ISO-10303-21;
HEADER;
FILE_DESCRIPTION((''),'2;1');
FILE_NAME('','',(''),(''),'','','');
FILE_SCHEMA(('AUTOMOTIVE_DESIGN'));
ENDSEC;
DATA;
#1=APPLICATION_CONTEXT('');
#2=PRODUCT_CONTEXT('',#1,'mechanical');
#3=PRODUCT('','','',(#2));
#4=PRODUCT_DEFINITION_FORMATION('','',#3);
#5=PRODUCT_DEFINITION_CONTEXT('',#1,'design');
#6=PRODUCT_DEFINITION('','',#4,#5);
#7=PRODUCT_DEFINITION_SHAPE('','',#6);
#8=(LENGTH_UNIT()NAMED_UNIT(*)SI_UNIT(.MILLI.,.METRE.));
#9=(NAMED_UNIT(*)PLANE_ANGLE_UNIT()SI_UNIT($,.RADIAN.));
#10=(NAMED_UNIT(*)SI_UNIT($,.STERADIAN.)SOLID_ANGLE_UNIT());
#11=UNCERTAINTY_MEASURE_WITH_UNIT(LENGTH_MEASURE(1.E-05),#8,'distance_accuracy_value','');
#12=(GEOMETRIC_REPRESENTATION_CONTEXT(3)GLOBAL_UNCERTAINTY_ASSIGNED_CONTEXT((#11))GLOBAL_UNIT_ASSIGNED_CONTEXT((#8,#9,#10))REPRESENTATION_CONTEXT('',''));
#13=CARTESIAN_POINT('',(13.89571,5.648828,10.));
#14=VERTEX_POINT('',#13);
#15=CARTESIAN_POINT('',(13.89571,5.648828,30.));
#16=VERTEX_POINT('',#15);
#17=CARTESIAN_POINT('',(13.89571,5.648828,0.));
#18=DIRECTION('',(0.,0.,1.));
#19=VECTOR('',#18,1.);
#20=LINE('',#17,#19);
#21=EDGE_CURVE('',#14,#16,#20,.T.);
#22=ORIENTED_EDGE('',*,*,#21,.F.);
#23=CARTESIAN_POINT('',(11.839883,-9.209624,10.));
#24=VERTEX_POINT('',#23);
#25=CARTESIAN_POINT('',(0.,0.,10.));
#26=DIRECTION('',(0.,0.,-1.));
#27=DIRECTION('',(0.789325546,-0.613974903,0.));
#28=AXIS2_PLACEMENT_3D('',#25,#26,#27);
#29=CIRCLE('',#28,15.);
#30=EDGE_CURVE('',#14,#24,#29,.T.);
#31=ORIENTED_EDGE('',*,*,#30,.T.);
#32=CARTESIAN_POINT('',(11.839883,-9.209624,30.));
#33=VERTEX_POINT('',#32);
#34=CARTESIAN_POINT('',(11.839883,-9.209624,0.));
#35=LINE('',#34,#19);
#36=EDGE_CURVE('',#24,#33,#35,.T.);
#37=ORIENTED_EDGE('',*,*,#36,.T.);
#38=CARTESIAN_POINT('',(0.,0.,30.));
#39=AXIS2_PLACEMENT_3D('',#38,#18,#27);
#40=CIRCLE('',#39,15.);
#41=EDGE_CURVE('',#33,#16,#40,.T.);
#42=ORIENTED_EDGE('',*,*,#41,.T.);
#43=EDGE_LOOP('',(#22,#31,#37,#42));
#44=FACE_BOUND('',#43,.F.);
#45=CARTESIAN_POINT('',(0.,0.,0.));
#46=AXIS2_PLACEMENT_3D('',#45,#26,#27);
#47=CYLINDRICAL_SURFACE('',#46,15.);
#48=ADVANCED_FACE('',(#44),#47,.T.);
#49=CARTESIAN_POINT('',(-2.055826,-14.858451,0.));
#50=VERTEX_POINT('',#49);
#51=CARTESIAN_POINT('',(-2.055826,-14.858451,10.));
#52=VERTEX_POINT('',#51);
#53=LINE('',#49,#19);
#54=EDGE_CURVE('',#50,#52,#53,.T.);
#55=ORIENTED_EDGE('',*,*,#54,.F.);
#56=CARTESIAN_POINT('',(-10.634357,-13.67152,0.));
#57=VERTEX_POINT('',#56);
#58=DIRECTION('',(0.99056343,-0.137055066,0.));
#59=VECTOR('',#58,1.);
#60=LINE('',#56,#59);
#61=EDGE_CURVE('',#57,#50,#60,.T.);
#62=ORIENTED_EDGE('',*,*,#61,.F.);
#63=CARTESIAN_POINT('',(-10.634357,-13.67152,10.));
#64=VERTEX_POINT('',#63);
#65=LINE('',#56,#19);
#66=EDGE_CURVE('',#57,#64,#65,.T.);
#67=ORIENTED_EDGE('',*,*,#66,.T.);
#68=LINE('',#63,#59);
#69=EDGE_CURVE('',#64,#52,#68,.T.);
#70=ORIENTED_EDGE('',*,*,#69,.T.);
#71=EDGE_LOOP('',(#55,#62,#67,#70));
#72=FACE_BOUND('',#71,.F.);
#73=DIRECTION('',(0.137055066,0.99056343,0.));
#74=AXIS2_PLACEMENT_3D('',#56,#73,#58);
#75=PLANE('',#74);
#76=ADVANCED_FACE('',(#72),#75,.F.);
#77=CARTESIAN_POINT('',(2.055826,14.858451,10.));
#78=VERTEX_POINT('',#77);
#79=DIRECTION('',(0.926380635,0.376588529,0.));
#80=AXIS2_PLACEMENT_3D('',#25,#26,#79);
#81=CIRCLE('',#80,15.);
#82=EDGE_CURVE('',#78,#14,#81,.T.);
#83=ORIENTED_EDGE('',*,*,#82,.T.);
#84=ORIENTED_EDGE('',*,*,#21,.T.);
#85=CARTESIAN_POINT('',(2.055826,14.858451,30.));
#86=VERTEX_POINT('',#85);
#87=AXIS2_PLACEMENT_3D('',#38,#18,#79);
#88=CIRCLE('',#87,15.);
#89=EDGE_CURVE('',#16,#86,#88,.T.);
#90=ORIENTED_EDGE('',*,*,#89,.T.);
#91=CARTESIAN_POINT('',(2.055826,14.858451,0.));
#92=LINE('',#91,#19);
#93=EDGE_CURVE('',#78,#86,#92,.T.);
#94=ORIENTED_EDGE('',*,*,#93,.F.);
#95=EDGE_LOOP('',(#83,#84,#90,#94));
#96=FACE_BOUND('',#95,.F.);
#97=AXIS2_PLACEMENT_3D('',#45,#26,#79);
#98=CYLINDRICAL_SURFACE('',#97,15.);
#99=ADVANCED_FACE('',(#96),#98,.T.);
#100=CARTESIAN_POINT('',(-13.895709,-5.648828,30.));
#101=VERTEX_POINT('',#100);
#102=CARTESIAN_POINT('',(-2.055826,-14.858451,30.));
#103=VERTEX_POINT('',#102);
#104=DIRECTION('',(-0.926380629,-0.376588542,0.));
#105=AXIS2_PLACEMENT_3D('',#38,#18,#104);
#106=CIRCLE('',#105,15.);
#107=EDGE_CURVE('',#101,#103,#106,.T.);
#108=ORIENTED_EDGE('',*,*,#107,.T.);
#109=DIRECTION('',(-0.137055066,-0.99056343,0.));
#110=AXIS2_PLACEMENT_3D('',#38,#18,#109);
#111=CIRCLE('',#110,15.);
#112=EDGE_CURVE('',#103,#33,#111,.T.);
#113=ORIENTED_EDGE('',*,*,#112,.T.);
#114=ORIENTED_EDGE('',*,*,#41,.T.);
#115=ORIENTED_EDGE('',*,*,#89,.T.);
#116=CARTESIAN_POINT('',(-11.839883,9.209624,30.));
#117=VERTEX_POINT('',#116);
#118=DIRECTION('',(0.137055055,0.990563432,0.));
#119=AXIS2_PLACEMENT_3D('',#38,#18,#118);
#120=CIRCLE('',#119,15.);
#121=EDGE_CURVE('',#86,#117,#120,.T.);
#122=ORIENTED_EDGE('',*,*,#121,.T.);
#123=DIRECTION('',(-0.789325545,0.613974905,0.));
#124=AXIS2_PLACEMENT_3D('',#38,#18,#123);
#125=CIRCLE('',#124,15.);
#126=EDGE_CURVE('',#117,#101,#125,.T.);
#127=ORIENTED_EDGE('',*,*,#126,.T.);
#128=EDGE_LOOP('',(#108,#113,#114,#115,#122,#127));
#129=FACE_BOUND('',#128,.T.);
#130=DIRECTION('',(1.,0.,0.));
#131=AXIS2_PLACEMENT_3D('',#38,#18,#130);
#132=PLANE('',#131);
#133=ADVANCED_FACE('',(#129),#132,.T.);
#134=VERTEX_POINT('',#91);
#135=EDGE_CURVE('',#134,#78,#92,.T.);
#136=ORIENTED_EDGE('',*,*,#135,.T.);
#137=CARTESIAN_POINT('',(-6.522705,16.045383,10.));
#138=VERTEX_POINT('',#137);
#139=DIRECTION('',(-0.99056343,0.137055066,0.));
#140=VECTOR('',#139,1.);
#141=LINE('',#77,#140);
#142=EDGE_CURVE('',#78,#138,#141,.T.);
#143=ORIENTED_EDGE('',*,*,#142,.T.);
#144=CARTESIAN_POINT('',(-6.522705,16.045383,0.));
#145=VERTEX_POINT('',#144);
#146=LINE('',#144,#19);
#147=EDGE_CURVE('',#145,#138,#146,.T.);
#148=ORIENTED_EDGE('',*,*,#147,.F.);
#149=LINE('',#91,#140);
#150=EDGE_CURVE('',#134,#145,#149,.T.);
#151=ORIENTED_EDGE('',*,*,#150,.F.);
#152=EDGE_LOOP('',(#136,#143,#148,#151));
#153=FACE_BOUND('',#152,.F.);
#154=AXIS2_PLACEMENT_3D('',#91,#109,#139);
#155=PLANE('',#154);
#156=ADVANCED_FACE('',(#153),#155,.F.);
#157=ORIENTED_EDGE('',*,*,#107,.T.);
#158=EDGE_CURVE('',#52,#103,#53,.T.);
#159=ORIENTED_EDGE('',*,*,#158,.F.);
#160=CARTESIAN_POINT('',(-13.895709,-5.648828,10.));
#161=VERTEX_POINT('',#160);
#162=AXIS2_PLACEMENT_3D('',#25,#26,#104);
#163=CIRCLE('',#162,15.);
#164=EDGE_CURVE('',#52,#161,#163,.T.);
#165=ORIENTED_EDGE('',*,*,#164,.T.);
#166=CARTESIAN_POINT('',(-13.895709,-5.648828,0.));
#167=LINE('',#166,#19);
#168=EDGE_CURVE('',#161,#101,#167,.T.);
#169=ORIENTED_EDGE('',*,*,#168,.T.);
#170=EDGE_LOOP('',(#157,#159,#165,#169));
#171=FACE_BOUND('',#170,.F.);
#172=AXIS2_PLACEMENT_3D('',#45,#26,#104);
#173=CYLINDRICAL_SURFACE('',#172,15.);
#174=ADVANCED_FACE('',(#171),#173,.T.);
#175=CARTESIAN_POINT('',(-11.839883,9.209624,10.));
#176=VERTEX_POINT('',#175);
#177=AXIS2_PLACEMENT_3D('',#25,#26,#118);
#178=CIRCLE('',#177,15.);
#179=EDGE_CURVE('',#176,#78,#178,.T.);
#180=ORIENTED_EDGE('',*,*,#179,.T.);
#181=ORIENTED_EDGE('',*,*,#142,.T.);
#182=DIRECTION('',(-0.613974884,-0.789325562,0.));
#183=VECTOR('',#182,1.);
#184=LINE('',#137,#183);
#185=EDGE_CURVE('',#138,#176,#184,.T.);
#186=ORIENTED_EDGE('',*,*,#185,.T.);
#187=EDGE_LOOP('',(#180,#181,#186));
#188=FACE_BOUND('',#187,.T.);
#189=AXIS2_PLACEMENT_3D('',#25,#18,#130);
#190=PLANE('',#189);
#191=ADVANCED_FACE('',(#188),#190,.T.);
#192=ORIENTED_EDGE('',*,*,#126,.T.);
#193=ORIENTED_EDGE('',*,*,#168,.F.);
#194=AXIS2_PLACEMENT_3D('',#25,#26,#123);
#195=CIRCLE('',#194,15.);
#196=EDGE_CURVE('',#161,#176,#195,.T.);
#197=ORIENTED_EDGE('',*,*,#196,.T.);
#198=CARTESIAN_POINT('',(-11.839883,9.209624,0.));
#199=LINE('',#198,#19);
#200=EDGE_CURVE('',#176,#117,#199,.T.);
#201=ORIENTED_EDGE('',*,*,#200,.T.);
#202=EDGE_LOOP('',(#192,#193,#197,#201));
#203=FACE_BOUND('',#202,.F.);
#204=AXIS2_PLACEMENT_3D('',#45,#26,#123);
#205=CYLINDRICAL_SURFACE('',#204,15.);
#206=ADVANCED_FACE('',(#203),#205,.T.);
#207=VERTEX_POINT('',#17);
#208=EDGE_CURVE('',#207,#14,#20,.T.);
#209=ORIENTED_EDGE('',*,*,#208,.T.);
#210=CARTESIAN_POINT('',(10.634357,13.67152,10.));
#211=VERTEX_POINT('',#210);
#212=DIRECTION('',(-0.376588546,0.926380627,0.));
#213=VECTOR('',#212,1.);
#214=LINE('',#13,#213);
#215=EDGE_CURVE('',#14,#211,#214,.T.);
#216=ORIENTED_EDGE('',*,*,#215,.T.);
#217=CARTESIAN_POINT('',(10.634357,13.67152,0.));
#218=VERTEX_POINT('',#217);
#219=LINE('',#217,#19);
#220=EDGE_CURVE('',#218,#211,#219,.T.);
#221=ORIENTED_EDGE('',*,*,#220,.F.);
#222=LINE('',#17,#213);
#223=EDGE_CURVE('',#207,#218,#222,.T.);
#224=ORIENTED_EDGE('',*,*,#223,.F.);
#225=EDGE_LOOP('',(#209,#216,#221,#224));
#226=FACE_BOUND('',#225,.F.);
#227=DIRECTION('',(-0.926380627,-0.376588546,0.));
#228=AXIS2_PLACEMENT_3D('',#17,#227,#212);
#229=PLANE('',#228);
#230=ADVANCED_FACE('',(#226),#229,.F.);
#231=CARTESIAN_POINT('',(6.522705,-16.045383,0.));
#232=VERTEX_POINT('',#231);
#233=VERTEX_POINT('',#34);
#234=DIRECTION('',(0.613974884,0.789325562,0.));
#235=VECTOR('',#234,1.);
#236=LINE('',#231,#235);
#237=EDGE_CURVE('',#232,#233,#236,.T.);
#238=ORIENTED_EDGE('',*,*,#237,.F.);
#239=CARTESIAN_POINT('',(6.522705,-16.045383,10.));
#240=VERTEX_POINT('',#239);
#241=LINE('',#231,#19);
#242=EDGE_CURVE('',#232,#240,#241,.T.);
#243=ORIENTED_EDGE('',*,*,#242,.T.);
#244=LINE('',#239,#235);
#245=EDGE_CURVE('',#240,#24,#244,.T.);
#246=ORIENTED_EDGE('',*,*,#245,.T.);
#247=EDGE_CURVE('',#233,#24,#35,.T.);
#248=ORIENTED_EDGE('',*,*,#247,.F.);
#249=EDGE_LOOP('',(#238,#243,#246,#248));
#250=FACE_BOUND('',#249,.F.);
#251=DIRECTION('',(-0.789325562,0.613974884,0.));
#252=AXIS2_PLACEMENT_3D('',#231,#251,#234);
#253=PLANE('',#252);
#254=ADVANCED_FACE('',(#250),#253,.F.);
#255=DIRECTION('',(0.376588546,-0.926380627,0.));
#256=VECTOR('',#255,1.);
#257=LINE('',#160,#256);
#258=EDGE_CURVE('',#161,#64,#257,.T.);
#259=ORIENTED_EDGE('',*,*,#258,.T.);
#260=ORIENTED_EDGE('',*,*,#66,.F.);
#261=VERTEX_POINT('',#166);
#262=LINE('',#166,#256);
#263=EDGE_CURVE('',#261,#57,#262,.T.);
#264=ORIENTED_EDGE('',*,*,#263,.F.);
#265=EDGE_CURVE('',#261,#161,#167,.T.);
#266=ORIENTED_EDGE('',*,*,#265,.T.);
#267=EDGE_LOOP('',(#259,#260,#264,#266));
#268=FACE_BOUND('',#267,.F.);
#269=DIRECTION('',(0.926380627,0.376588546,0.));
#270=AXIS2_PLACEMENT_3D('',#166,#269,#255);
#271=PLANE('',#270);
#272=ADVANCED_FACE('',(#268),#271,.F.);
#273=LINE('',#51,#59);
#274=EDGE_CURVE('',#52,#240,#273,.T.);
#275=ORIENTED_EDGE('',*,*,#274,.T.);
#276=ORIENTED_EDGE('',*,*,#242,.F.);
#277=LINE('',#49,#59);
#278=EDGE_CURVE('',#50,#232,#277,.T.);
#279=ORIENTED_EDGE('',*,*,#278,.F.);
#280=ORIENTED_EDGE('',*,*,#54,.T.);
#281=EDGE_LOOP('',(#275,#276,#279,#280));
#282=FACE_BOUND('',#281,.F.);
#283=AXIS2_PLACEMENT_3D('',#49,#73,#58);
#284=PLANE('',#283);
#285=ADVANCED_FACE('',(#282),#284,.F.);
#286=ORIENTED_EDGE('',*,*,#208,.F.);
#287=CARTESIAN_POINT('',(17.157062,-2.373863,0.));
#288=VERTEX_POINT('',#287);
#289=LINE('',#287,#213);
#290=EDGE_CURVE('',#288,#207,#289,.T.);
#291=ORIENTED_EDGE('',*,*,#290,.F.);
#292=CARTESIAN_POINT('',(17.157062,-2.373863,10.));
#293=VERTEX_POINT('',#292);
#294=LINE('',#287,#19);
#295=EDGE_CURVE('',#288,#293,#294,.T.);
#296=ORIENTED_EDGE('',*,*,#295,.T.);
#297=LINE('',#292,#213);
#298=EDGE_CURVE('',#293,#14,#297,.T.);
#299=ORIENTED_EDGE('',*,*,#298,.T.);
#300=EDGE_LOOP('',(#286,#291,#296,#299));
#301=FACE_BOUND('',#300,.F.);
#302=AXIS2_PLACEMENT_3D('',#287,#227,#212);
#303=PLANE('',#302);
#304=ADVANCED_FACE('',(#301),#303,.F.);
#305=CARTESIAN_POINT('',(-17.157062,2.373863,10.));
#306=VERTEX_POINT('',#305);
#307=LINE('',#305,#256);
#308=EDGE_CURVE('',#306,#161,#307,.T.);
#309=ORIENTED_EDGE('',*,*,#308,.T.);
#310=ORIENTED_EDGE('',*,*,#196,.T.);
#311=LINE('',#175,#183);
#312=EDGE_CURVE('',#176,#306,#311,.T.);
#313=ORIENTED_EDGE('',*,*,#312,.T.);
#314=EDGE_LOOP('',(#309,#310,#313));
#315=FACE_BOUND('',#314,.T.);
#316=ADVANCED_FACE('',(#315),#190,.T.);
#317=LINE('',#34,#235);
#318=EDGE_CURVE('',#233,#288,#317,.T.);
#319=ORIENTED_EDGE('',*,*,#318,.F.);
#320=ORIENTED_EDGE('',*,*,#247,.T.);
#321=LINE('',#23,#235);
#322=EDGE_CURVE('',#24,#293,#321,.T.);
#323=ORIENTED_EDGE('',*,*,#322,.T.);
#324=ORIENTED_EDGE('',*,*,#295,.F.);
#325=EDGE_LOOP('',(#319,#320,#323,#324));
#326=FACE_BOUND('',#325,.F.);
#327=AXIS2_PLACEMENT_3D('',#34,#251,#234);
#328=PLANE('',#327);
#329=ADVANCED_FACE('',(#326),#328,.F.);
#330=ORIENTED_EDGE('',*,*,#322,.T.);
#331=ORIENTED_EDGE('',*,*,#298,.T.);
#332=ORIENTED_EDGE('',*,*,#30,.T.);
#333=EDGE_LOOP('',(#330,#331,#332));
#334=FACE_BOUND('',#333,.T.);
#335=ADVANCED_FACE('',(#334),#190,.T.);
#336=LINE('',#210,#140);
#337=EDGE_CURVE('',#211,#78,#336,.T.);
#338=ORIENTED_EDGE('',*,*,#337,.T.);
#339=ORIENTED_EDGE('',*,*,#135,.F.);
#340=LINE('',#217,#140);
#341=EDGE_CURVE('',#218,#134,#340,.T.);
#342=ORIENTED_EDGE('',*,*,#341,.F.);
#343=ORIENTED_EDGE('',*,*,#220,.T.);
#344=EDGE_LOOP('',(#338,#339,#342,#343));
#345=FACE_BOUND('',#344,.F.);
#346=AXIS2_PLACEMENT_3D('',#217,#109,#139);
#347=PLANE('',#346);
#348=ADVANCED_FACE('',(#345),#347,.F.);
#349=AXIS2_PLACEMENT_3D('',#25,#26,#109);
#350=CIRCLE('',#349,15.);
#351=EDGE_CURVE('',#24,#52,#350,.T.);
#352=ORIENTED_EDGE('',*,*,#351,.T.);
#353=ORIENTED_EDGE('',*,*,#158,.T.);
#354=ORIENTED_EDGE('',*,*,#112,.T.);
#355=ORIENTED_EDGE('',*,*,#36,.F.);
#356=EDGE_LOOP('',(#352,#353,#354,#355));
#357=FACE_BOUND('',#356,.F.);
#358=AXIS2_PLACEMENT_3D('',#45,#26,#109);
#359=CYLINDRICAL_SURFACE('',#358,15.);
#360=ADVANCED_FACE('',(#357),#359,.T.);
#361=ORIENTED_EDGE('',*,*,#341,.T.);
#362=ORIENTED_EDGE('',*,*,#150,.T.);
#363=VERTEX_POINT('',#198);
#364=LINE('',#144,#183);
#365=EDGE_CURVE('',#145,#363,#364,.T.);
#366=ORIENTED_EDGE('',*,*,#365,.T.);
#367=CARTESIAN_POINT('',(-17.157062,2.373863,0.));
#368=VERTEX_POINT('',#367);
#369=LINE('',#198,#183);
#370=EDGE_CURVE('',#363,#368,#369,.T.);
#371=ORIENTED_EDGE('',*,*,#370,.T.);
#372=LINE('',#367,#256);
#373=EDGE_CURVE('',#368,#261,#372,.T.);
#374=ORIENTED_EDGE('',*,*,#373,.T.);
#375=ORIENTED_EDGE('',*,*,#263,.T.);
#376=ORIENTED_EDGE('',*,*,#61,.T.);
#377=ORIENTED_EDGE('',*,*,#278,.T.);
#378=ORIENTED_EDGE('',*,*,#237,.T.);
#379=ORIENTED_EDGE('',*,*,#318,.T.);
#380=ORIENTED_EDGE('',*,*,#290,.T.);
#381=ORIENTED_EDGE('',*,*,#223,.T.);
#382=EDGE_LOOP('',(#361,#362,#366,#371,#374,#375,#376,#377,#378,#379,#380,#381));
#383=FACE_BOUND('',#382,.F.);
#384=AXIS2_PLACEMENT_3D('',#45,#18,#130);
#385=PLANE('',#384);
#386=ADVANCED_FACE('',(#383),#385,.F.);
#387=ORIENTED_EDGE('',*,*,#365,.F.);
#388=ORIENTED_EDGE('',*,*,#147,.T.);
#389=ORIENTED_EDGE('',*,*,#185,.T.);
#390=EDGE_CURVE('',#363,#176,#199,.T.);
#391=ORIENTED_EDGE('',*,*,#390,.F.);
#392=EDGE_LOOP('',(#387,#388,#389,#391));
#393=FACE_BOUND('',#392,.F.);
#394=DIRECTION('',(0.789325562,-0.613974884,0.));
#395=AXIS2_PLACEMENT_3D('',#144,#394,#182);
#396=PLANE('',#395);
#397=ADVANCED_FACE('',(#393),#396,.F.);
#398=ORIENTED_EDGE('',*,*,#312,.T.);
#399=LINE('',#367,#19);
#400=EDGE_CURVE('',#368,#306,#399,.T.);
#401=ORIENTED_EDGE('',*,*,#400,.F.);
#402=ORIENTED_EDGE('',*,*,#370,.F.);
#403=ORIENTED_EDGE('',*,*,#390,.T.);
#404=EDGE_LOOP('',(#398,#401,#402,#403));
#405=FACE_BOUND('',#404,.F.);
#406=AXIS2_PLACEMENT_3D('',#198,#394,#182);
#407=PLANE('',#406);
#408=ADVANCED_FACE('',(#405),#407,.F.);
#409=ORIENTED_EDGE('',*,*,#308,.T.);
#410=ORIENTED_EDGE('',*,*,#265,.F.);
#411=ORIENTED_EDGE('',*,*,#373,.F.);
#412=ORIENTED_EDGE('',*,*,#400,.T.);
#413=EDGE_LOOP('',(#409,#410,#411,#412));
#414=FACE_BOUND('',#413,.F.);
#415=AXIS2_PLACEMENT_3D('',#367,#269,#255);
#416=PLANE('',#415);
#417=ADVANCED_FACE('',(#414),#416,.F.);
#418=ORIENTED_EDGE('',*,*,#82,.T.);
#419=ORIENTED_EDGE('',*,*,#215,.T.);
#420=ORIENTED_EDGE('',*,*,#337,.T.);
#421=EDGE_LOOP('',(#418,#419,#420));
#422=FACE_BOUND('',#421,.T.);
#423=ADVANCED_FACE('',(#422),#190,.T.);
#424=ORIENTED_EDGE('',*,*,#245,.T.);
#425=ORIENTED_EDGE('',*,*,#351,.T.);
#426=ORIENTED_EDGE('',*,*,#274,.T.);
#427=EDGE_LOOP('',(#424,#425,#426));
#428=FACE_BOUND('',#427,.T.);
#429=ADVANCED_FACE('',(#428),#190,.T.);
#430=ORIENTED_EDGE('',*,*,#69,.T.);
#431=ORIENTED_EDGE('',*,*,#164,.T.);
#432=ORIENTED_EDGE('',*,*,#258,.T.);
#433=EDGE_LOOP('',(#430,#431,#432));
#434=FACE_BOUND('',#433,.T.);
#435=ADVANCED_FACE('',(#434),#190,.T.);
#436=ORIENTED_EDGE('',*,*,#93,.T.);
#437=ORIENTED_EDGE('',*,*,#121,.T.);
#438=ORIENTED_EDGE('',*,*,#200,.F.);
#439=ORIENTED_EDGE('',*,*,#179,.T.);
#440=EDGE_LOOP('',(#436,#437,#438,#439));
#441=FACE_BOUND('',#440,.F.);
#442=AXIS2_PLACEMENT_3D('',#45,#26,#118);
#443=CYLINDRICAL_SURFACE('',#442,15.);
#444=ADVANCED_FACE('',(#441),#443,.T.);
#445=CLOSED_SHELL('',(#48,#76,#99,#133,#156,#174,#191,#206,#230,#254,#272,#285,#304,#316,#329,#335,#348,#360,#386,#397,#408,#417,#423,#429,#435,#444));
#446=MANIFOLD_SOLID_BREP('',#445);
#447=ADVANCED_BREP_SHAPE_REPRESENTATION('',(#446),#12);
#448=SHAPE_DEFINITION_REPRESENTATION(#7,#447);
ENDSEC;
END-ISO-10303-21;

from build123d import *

# Parameters (mm, degrees)
F1_DEPTH = 50
F2_DEPTH = 10
F3_DEPTH = 20


with BuildPart() as f1:
    # F0 (on Top) → F1 (new body)
    with BuildSketch(Plane.XY):
        with BuildLine():
            ThreePointArc((11.839883195, -9.2096235498), (14.1879922456, -4.8683545514), (15, 0))
            ThreePointArc((15, 0), (14.7213389809, 2.8778774487), (13.8957095187, 5.648827929))
            ThreePointArc((13.8957095187, 5.648827929), (9.2096233049, 11.8398833855), (2.0558258258, 14.858451473))
            ThreePointArc((2.0558258258, 14.858451473), (-5.6488280861, 13.8957094548), (-11.8398831796, 9.2096235695))
            ThreePointArc((-11.8398831796, 9.2096235695), (-14.8584514186, 2.0558262189), (-13.8957094373, -5.6488281293))
            ThreePointArc((-13.8957094373, -5.6488281293), (-9.2096232871, -11.8398833994), (-2.0558259954, -14.8584514495))
            ThreePointArc((-2.0558259954, -14.8584514495), (5.6488280184, -13.8957094824), (11.839883195, -9.2096235498))
        make_face()
    extrude(amount=F1_DEPTH)

    # F0 (on Top) → F2 (join)
    with BuildSketch(Plane.XY):
        with BuildLine():
            ThreePointArc((11.839883195, -9.2096235498), (14.1879922456, -4.8683545514), (15, 0))
            ThreePointArc((15, 0), (14.7213389809, 2.8778774487), (13.8957095187, 5.648827929))
            ThreePointArc((13.8957095187, 5.648827929), (9.2096233049, 11.8398833855), (2.0558258258, 14.858451473))
            ThreePointArc((2.0558258258, 14.858451473), (-5.6488280861, 13.8957094548), (-11.8398831796, 9.2096235695))
            ThreePointArc((-11.8398831796, 9.2096235695), (-14.8584514186, 2.0558262189), (-13.8957094373, -5.6488281293))
            ThreePointArc((-13.8957094373, -5.6488281293), (-9.2096232871, -11.8398833994), (-2.0558259954, -14.8584514495))
            ThreePointArc((-2.0558259954, -14.8584514495), (5.6488280184, -13.8957094824), (11.839883195, -9.2096235498))
        make_face()
        with BuildLine():
            ThreePointArc((13.8957095187, 5.648827929), (14.7213389809, 2.8778774487), (15, 0))
            ThreePointArc((15, 0), (14.1879922456, -4.8683545514), (11.839883195, -9.2096235498))
            Line((11.839883195, -9.2096235498), (17.1570618896, -2.3738633739))
            Line((17.1570618896, -2.3738633739), (13.8957095187, 5.648827929))
        make_face()
        with BuildLine():
            ThreePointArc((2.0558258258, 14.858451473), (9.2096233049, 11.8398833855), (13.8957095187, 5.648827929))
            Line((13.8957095187, 5.648827929), (10.6343569317, 13.6715197637))
            Line((10.6343569317, 13.6715197637), (2.0558258258, 14.858451473))
        make_face()
        with BuildLine():
            Line((6.5227049579, -16.0453831376), (11.839883195, -9.2096235498))
            ThreePointArc((11.839883195, -9.2096235498), (5.6488280184, -13.8957094824), (-2.0558259954, -14.8584514495))
            Line((-2.0558259954, -14.8584514495), (6.5227049579, -16.0453831376))
        make_face()
        with BuildLine():
            ThreePointArc((-11.8398831796, 9.2096235695), (-5.6488280861, 13.8957094548), (2.0558258258, 14.858451473))
            Line((2.0558258258, 14.858451473), (-6.5227049579, 16.0453831376))
            Line((-6.5227049579, 16.0453831376), (-11.8398831796, 9.2096235695))
        make_face()
        with BuildLine():
            Line((-10.6343569317, -13.6715197637), (-2.0558259954, -14.8584514495))
            ThreePointArc((-2.0558259954, -14.8584514495), (-9.2096232871, -11.8398833994), (-13.8957094373, -5.6488281293))
            Line((-13.8957094373, -5.6488281293), (-10.6343569317, -13.6715197637))
        make_face()
        with BuildLine():
            ThreePointArc((-13.8957094373, -5.6488281293), (-14.8584514186, 2.0558262189), (-11.8398831796, 9.2096235695))
            Line((-11.8398831796, 9.2096235695), (-17.1570618896, 2.3738633739))
            Line((-17.1570618896, 2.3738633739), (-13.8957094373, -5.6488281293))
        make_face()
    extrude(amount=F2_DEPTH)

    # F3 (cut): a face of the model
    f3_faces = [f1.faces().sort_by_distance(p)[0] for p in [
        (0, 0, 50),
    ]]
    extrude(f3_faces, amount=-F3_DEPTH, mode=Mode.SUBTRACT)


solid = f1.part
